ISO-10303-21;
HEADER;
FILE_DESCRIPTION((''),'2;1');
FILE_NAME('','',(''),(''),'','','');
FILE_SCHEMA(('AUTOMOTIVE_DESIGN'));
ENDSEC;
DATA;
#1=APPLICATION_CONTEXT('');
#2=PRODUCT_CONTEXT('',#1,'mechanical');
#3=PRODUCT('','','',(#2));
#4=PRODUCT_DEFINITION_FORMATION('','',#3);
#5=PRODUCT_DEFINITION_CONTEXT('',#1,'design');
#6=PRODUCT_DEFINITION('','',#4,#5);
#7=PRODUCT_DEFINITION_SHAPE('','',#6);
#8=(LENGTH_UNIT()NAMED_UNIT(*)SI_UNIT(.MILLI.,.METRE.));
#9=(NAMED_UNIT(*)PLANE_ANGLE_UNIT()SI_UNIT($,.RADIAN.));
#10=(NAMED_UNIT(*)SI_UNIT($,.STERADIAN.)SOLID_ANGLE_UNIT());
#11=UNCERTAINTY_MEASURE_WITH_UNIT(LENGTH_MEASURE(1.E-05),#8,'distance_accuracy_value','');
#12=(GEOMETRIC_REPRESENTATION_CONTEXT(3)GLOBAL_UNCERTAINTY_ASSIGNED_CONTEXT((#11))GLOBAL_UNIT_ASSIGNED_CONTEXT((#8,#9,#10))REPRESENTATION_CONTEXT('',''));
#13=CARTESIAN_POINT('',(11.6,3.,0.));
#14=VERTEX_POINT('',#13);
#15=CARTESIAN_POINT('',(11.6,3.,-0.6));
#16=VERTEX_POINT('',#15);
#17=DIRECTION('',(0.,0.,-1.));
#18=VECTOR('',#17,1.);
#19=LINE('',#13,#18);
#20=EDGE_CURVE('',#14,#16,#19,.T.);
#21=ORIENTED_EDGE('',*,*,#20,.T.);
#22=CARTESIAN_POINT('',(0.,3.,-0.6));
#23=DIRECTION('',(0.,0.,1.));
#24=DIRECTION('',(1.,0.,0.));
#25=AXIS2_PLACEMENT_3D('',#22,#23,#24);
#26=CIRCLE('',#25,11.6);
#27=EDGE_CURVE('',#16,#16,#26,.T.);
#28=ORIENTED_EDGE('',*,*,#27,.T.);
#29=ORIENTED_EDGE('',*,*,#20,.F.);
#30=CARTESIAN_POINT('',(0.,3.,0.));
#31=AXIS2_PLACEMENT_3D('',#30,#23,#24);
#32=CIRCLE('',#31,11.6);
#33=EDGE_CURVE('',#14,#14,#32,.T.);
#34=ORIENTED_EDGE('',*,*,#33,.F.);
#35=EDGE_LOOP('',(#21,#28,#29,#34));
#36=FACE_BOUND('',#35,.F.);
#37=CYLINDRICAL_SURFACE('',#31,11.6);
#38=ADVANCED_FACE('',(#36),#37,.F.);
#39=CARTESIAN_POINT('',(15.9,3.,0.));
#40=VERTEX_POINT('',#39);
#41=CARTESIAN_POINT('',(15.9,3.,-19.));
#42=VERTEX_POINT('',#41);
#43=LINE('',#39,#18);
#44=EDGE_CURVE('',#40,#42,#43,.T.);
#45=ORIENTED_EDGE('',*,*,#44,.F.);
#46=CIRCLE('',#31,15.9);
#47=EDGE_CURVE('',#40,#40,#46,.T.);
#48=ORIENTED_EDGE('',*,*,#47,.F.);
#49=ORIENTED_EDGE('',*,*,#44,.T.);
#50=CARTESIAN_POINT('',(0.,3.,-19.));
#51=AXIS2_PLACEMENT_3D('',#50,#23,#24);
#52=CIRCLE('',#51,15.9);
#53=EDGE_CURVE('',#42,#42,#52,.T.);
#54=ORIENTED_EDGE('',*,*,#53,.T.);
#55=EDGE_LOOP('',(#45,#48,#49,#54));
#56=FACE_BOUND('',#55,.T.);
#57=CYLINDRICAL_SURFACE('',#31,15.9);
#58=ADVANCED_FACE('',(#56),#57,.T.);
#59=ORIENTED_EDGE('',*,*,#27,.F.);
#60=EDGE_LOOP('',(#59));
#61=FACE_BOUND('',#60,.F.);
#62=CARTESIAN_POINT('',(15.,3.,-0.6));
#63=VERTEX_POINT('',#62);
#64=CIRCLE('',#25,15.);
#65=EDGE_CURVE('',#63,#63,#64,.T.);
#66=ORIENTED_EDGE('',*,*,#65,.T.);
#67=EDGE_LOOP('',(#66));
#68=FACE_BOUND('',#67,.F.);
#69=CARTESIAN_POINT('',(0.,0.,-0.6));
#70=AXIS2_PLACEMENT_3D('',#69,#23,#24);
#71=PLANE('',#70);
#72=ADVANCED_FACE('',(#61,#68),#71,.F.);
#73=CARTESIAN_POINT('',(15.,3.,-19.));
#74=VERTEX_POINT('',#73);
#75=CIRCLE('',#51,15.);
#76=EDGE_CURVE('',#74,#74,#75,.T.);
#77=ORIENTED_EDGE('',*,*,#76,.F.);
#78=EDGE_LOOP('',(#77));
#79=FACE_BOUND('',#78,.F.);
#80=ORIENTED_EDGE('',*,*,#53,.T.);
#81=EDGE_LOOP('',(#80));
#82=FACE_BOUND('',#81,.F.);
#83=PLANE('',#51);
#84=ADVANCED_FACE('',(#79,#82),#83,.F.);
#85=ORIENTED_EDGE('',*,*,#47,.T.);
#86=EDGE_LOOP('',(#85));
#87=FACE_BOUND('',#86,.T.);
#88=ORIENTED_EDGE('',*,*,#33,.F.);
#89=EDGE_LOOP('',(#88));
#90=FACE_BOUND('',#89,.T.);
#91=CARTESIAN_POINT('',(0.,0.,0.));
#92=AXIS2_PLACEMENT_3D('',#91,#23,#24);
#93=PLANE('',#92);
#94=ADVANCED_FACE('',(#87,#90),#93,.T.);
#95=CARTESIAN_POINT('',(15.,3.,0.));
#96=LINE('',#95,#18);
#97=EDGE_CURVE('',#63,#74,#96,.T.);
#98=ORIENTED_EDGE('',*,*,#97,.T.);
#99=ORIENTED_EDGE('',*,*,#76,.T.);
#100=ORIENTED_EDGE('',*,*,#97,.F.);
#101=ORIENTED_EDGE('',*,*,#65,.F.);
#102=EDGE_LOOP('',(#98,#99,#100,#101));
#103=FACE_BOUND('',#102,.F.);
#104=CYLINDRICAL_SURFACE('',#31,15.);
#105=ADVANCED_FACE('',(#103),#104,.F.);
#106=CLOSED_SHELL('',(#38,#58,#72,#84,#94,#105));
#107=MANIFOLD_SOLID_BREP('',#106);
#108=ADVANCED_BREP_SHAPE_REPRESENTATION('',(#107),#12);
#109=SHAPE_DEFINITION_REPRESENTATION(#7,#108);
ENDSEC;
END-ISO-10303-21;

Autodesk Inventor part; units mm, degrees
ref_plane "YZ Plane" through (0, 0, 0) normal (1, 0, 0) x (0, 1, 0)
ref_plane "XZ Plane" through (0, 0, 0) normal (0, 1, 0) x (-1, 0, 0)
sketch "Sketch1" plane through (0, 0, 0) normal (0, 0, 1) x (1, 0, 0)
  circle A0 centre (0, 3) radius 11.6 projected
  circle A1 centre (0, 3) radius 15
  point P0 (0, 0)
  dimension "d0" = 30
extrude "Extrusion1" add sketch "Sketch1" against normal blind 0.6
sketch "Sketch2" plane through (0, 3, 0) normal (0, 0, 1) x (1, 0, 0)
  circle A0 centre (0, 0) radius 15 projected
  circle A1 centre (0, 0) radius 11.6 projected
  circle A2 centre (0, 0) radius 15.9
  point P0 (0, -3)
  dimension "d3" = 0.9
ref_plane "Work Plane1" through (-11.5757, -8.5757, -19) normal (0, 0, -1) x (0, 1, 0)
extrude "Extrusion2" add sketch "Sketch2" against normal up to surface (19 mm away) contours A2
properties part number "FelgaForma"
